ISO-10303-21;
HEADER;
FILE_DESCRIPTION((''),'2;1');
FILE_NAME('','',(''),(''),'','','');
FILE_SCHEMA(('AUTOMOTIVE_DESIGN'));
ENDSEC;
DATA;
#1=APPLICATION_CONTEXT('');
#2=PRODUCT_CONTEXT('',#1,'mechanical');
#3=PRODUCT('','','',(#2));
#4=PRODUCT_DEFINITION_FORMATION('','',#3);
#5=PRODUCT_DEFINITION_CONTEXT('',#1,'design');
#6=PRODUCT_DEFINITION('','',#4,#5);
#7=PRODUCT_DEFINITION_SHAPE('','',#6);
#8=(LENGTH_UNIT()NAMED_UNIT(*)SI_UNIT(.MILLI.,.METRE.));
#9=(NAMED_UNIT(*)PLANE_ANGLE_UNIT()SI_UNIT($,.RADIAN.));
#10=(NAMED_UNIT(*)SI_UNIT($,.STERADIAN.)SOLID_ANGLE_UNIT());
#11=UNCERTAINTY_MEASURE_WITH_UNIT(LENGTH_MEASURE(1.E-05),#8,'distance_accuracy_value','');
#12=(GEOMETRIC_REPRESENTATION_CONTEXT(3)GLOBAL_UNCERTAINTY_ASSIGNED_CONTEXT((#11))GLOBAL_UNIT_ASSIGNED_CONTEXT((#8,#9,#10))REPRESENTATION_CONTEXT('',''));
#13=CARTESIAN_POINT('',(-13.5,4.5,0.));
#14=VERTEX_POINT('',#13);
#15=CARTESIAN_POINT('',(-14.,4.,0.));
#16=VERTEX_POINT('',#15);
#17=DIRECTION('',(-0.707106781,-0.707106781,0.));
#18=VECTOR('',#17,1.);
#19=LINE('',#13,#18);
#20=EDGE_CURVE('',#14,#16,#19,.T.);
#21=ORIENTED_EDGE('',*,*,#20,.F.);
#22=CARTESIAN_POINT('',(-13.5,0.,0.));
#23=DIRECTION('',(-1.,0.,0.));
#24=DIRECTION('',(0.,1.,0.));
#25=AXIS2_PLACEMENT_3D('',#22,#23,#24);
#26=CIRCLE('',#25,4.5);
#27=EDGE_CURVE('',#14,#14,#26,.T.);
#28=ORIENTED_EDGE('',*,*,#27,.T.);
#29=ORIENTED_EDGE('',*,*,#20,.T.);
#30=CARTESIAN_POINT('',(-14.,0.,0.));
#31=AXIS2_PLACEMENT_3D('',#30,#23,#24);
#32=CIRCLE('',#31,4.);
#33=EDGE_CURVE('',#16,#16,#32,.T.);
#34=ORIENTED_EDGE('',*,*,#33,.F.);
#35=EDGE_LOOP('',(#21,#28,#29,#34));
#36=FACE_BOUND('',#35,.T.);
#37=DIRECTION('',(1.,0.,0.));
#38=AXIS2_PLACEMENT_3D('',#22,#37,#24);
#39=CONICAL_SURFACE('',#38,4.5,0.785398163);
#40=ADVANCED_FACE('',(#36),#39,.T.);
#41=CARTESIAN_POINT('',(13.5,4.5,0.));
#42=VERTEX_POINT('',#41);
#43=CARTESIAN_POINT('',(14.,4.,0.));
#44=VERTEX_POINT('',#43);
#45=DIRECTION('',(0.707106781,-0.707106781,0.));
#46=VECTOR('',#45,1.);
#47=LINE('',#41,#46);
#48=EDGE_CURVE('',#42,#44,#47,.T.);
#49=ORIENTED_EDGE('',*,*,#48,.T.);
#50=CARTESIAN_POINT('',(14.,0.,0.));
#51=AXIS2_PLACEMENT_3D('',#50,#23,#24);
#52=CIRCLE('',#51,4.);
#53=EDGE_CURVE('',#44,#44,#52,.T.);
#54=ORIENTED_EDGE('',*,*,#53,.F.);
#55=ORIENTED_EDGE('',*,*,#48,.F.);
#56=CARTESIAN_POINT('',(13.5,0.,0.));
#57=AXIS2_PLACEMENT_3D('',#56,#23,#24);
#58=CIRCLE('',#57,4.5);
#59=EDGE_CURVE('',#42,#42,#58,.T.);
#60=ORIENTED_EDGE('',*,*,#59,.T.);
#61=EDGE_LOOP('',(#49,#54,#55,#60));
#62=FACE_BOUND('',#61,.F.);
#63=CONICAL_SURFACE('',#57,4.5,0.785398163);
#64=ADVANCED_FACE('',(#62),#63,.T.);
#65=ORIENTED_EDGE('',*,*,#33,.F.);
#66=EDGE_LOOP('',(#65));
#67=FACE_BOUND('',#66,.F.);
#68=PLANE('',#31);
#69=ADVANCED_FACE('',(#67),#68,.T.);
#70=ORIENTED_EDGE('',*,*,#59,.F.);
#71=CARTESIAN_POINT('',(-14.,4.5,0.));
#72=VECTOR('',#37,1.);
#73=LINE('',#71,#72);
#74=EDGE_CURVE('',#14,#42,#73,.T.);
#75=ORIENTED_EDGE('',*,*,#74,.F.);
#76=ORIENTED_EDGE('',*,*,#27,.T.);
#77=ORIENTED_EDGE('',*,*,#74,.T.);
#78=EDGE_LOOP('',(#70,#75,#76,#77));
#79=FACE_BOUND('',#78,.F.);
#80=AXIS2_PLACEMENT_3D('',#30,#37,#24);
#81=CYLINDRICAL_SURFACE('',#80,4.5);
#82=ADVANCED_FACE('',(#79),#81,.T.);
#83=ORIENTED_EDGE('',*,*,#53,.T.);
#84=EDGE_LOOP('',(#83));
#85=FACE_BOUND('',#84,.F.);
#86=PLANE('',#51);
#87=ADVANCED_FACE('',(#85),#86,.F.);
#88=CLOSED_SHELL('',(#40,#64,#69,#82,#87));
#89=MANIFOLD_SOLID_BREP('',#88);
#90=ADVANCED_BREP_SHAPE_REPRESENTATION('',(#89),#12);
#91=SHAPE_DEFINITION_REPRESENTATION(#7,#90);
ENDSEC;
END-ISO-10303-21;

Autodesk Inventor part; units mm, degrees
ref_plane "YZ Plane" through (0, 0, 0) normal (1, 0, 0) x (0, 1, 0)
ref_plane "XZ Plane" through (0, 0, 0) normal (0, 1, 0) x (-1, 0, 0)
ref_plane "XY Plane" through (0, 0, 0) normal (0, 0, 1) x (1, 0, 0)
sketch "Sketch1" plane through (0, 0, 0) normal (0, 0, 1) x (1, 0, 0)
  line L0 (-14, 4.5) -> (14, 4.5)
  line L1 (14, 4.5) -> (14, 0)
  line L2 (14, 0) -> (-14, 0)
  line L3 (-14, 0) -> (-14, 4.5)
  point P0 (0, 0)
  point P1 (0, 0)
  dimension "d0" = 9
  dimension "d1" = 28
revolve "Revolution1" add sketch "Sketch1" angle 360 about axis through (14, 0, 0) along (-1, 0, 0)
chamfer "Chamfer1" distance 0.5 angle 45 2 edges at (-14, -4.5, 0) (14, -4.5, 0)
properties part number "Axle Big" material "Steel"
